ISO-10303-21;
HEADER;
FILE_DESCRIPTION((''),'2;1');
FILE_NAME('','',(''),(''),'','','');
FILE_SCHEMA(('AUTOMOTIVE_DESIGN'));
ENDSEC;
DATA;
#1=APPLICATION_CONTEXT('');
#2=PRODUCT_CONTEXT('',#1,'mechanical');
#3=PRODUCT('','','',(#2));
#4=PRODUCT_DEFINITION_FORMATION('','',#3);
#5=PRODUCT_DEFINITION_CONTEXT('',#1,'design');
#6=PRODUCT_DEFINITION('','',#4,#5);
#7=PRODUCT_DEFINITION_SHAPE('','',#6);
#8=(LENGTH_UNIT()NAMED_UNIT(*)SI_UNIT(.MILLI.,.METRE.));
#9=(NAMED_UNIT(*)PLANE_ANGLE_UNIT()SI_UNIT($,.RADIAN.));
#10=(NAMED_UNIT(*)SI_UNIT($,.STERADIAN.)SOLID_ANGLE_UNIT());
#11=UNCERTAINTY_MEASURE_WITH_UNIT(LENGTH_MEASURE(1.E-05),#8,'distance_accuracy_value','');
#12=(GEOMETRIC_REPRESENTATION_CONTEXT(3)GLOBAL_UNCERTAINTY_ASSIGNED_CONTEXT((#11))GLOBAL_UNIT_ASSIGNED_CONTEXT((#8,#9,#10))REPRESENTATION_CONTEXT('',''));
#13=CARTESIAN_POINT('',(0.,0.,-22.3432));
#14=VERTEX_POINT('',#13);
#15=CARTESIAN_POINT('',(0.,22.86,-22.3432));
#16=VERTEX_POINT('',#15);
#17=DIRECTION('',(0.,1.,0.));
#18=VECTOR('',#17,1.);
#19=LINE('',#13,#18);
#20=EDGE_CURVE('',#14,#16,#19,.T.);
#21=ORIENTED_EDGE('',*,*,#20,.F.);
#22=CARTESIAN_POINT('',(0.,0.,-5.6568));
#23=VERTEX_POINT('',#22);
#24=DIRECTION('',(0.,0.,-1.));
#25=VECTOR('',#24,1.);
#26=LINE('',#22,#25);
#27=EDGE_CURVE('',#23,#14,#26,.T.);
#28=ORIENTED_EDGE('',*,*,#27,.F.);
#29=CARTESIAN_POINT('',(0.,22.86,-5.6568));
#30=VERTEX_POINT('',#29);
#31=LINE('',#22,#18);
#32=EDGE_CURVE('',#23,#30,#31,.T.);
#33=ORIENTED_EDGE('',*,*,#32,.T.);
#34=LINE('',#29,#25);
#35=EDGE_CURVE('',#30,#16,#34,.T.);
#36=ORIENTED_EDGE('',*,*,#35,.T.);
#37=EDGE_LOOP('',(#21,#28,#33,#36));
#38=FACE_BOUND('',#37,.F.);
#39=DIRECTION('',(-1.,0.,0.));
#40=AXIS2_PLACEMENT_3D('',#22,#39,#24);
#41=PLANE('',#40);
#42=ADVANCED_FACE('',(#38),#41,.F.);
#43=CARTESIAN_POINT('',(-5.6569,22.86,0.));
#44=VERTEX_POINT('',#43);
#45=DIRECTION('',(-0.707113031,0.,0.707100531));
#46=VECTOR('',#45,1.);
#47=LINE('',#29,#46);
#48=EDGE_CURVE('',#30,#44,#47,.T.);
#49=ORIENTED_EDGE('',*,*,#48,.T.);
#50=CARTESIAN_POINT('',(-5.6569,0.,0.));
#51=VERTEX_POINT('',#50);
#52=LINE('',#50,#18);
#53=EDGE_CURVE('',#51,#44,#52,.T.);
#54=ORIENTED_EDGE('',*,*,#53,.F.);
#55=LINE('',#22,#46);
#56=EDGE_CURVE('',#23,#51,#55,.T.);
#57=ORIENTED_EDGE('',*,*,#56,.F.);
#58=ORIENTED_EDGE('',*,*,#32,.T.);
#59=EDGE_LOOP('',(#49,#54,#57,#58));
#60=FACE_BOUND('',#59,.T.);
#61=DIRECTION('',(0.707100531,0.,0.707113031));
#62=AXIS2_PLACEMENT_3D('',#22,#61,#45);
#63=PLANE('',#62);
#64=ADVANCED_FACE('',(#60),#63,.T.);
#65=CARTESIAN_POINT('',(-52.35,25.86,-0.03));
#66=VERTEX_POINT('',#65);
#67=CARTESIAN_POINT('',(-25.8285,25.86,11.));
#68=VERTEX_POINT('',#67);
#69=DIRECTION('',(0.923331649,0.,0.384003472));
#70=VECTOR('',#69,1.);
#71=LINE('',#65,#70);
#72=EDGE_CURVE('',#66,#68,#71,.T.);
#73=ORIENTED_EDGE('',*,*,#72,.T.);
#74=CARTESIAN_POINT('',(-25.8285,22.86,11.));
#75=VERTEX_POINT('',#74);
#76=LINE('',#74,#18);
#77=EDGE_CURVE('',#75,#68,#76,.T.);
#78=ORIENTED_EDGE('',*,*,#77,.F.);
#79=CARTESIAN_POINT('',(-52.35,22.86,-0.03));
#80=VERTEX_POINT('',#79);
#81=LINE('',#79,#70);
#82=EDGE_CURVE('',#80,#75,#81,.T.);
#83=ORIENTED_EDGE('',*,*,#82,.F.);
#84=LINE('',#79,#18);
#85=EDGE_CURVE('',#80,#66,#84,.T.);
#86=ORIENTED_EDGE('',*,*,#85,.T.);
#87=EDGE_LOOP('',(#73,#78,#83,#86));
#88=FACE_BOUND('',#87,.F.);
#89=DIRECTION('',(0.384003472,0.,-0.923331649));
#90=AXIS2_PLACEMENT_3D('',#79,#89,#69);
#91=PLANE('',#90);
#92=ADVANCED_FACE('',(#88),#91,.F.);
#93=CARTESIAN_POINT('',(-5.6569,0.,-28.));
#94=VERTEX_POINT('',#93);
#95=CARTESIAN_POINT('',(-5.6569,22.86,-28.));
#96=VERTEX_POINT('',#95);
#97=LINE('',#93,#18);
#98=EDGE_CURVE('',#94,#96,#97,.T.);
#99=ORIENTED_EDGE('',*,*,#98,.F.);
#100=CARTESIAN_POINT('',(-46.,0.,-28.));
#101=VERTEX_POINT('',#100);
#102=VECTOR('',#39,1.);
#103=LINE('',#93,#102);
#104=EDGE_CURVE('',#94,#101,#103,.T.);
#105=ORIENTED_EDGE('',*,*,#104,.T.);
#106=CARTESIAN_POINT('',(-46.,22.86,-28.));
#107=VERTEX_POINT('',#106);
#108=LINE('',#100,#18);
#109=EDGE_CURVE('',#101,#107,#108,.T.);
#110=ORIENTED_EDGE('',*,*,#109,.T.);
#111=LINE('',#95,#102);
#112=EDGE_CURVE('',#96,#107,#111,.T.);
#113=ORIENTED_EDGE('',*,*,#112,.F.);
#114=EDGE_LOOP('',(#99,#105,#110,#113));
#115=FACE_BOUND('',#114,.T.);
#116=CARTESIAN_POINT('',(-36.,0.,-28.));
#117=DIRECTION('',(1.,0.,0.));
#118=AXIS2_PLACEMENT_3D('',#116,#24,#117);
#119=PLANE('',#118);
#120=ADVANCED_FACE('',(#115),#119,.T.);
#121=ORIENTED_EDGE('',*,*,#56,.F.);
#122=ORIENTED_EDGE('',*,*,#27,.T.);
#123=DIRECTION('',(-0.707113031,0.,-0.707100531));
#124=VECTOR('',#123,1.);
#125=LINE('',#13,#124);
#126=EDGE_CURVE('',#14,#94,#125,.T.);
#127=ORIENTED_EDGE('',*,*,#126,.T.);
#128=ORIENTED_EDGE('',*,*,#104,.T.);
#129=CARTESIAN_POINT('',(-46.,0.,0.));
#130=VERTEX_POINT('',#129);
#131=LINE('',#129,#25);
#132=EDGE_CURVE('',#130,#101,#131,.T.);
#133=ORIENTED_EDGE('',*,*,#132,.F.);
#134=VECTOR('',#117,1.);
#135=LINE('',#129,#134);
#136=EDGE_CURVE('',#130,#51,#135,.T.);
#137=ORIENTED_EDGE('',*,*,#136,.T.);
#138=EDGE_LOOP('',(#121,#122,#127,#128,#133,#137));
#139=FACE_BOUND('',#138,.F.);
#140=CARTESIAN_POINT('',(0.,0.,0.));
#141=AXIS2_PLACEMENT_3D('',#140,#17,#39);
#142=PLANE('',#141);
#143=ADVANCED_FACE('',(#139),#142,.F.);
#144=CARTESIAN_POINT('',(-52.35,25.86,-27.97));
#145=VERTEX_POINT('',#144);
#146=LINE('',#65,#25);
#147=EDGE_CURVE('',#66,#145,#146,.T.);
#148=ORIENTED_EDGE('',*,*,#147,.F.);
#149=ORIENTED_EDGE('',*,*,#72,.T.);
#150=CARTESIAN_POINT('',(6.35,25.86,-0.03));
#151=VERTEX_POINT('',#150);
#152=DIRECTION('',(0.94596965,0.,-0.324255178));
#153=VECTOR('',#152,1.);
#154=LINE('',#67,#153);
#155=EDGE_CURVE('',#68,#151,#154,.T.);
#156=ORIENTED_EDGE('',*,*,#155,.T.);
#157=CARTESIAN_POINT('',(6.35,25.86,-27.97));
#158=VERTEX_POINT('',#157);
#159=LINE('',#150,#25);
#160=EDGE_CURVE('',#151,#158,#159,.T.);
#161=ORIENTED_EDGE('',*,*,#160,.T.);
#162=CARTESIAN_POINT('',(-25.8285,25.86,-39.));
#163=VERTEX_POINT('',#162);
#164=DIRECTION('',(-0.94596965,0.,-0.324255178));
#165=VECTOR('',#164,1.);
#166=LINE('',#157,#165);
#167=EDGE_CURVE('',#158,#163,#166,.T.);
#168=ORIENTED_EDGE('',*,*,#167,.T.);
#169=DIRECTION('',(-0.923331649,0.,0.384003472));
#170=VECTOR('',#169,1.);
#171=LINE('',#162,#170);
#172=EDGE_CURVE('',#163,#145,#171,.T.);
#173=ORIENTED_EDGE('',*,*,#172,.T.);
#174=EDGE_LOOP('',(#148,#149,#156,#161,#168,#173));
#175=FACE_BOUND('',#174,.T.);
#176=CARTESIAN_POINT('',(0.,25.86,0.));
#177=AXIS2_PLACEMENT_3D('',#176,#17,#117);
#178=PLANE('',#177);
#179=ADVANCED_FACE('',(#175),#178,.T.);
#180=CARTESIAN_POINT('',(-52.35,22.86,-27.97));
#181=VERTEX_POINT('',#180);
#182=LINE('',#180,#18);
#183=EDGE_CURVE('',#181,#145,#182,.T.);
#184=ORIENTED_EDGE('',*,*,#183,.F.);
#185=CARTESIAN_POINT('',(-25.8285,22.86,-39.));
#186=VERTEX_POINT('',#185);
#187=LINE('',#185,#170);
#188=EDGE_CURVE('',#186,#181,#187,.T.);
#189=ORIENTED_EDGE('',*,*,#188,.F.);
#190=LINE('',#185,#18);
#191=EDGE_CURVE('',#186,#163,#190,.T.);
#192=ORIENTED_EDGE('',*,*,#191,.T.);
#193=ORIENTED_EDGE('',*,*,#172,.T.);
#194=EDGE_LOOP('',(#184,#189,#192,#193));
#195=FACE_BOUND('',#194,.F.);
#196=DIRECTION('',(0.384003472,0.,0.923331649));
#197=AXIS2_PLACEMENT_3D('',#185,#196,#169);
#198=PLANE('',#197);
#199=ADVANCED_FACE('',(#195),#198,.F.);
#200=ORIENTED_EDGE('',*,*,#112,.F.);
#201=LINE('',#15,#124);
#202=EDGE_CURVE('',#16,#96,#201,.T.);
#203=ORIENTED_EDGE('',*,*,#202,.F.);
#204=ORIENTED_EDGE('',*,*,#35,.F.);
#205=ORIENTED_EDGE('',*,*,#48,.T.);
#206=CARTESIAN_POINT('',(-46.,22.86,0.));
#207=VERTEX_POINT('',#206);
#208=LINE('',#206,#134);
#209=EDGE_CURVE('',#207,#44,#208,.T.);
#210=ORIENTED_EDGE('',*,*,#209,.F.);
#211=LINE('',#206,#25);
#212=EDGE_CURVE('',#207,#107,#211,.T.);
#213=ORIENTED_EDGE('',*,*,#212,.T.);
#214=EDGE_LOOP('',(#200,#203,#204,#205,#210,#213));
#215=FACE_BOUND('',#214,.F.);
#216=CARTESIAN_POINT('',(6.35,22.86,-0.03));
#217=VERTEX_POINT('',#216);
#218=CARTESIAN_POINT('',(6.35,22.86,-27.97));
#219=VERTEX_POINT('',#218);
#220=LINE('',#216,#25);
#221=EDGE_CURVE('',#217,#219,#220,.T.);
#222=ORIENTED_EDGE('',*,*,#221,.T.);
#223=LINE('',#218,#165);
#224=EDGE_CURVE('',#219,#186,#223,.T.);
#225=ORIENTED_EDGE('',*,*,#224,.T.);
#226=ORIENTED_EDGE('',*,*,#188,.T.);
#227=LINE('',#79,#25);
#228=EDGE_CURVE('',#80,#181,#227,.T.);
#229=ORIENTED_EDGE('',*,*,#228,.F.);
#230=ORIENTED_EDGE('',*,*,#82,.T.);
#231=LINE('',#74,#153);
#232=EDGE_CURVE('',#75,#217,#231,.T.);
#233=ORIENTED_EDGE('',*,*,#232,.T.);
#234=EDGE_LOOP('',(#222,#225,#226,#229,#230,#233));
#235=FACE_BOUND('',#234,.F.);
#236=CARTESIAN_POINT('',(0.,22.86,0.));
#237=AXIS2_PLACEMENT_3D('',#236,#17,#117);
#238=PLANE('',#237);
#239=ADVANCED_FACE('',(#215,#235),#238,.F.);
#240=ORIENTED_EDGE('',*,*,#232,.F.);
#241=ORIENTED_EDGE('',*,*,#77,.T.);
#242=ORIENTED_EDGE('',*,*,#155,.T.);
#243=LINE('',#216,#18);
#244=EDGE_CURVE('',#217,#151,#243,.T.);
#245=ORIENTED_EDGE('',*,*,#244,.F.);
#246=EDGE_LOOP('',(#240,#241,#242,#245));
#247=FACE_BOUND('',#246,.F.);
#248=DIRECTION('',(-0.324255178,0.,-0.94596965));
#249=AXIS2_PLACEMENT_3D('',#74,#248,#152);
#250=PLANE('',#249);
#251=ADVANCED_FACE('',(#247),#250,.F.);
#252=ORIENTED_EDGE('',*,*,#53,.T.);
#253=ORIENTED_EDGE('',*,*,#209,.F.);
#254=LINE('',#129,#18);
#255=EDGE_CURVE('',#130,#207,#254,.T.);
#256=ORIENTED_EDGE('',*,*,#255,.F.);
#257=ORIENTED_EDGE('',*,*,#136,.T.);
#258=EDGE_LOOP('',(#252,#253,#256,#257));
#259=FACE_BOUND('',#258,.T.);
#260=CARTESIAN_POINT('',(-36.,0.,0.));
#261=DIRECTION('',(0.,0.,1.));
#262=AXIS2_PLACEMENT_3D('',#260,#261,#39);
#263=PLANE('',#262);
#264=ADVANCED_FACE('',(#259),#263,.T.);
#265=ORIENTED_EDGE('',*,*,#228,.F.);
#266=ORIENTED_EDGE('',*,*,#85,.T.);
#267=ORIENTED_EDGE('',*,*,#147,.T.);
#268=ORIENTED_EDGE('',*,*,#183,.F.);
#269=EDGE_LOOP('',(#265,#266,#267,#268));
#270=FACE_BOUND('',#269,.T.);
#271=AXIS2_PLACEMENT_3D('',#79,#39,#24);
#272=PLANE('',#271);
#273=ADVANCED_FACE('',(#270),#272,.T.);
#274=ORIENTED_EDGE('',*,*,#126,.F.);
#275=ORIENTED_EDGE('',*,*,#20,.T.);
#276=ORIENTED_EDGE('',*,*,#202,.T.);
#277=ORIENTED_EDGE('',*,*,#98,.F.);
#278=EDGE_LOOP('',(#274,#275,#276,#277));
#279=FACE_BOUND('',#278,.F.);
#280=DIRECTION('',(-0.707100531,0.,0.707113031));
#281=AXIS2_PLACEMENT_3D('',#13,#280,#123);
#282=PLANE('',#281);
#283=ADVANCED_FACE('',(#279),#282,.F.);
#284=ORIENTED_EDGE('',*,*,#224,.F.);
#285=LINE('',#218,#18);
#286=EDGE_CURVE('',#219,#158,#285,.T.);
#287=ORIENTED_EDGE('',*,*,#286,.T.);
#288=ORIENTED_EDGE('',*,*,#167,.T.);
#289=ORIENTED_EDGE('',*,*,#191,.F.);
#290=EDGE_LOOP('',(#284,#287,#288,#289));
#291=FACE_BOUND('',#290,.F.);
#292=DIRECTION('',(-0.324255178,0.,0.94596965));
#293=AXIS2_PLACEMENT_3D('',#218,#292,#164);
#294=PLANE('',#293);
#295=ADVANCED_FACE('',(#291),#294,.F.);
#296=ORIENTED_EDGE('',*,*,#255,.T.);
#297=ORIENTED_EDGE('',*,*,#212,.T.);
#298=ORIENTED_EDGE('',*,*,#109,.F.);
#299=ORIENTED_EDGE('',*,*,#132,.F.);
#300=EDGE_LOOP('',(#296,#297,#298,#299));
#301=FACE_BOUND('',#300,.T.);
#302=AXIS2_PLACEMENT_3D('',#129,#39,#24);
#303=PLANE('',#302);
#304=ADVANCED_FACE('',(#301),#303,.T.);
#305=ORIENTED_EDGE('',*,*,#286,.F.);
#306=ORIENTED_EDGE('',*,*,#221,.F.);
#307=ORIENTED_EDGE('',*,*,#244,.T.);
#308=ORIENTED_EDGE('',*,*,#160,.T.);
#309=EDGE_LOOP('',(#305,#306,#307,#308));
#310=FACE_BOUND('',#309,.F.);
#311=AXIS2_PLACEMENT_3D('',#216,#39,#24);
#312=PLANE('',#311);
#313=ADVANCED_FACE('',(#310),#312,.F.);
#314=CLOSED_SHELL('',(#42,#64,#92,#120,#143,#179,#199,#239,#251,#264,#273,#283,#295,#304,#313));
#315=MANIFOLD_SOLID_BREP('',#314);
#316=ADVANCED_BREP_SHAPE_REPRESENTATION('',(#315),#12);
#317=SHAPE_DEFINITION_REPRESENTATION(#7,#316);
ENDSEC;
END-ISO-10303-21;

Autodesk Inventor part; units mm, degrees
ref_plane "YZ Plane" through (0, 0, 0) normal (1, 0, 0) x (0, 1, 0)
ref_plane "XZ Plane" through (0, 0, 0) normal (0, 1, 0) x (-1, 0, 0)
ref_plane "XY Plane" through (0, 0, 0) normal (0, 0, 1) x (1, 0, 0)
sketch "Sketch1" plane through (0, 0, 0) normal (0, 1, 0) x (-1, 0, 0)
  line L0 (5.6569, 0) -> (36, 0)
  line L1 (36, -28) -> (5.6569, -28)
  line L2 (0, -5.6568) -> (5.6569, 0)
  line L3 (36, -14) -> (0, -14) construction
  line L4 (5.6569, -28) -> (36, -28)
  line L5 (0, -22.3432) -> (5.6569, -28)
  line L6 (41, -28) -> (41, 5) construction
  line L7 (41, 5) -> (3.5859, 5) construction
  line L8 (3.5859, 5) -> (-3.5355, -2.1212) construction
  line L9 (36, -33) -> (5.6569, -33) construction
  line L10 (36, 0) -> (46, 0) construction
  line L11 (46, 0) -> (46, -28) construction
  line L12 (46, -28) -> (36, -28) construction
  line L13 (36, -28) -> (36, 0) construction
  line L14 (51, 5) -> (31, 5) construction
  line L15 (31, 5) -> (31, -33) construction
  line L16 (31, -33) -> (51, -33) construction
  line L17 (51, -33) -> (51, 5) construction
  line L18 (0, 0) -> (-5, 0) construction
  line L19 (-5, 0) -> (-5, -8.8109) construction
  line L20 (-5, -8.8109) -> (0, -8.8109) construction
  line L21 (0, -8.8109) -> (0, 0) construction
  line L22 (36, 0) -> (46, 0)
  line L23 (46, 0) -> (46, -28)
  line L24 (46, -28) -> (36, -28)
  line L25 (0, -5.6568) -> (0, -22.3432)
  dimension "d1" = 28
  dimension "d3" = 8
  dimension "d5" = 5
  dimension "d6" = 10
  dimension "d7" = 5
  dimension "d8" = 5
extrude "Extrusion1" add sketch "Sketch1" along normal blind 22.86
sketch "Sketch2" plane through (0, 22.86, 0) normal (0, 1, 0) x (1, 0, 0)
  line L0 (-46, 28) -> (-46, 0) construction
  line L1 (-46, 0) -> (-5.6569, 0) construction
  line L2 (-5.6569, 0) -> (0, 5.6568) construction
  line L3 (0, 5.6568) -> (0, 22.3432) construction
  line L4 (0, 22.3432) -> (-5.6569, 28) construction
  line L5 (-5.6569, 28) -> (-46, 28) construction
  line L6 (-46, 14) -> (-52.35, 14) construction
  line L7 (0, 14) -> (6.35, 14) construction
  line L8 (-25.8285, 28) -> (-25.8285, 39) construction
  line L9 (-46, 0) -> (-5.6569, 0) construction
  line L10 (-25.8285, 0) -> (-25.8285, -11) construction
  line L11 (-52.35, 14) -> (-52.35, 27.97) construction
  line L12 (-52.35, 27.97) -> (-52.35, 0.03) construction
  line L13 (6.35, 14) -> (6.35, 27.97) construction
  line L14 (6.35, 27.97) -> (6.35, 0.03) construction
  line L15 (-52.35, 0.03) -> (-25.8285, -11)
  line L16 (-25.8285, -11) -> (6.35, 0.03)
  line L17 (6.35, 0.03) -> (6.35, 27.97)
  line L18 (6.35, 27.97) -> (-25.8285, 39)
  line L19 (-25.8285, 39) -> (-52.35, 27.97)
  line L20 (-52.35, 0.03) -> (-52.35, 27.97)
  point P0 (0, 0)
  dimension "d11" = 6.35
  dimension "d12" = 6.35
  dimension "d13" = 11
  dimension "d14" = 11
  dimension "d15" = 13.97
  dimension "d16" = 27.94
  dimension "d17" = 13.97
  dimension "d18" = 27.94
extrude "Extrusion2" add sketch "Sketch2" along normal blind 3
properties part number "power_test"
